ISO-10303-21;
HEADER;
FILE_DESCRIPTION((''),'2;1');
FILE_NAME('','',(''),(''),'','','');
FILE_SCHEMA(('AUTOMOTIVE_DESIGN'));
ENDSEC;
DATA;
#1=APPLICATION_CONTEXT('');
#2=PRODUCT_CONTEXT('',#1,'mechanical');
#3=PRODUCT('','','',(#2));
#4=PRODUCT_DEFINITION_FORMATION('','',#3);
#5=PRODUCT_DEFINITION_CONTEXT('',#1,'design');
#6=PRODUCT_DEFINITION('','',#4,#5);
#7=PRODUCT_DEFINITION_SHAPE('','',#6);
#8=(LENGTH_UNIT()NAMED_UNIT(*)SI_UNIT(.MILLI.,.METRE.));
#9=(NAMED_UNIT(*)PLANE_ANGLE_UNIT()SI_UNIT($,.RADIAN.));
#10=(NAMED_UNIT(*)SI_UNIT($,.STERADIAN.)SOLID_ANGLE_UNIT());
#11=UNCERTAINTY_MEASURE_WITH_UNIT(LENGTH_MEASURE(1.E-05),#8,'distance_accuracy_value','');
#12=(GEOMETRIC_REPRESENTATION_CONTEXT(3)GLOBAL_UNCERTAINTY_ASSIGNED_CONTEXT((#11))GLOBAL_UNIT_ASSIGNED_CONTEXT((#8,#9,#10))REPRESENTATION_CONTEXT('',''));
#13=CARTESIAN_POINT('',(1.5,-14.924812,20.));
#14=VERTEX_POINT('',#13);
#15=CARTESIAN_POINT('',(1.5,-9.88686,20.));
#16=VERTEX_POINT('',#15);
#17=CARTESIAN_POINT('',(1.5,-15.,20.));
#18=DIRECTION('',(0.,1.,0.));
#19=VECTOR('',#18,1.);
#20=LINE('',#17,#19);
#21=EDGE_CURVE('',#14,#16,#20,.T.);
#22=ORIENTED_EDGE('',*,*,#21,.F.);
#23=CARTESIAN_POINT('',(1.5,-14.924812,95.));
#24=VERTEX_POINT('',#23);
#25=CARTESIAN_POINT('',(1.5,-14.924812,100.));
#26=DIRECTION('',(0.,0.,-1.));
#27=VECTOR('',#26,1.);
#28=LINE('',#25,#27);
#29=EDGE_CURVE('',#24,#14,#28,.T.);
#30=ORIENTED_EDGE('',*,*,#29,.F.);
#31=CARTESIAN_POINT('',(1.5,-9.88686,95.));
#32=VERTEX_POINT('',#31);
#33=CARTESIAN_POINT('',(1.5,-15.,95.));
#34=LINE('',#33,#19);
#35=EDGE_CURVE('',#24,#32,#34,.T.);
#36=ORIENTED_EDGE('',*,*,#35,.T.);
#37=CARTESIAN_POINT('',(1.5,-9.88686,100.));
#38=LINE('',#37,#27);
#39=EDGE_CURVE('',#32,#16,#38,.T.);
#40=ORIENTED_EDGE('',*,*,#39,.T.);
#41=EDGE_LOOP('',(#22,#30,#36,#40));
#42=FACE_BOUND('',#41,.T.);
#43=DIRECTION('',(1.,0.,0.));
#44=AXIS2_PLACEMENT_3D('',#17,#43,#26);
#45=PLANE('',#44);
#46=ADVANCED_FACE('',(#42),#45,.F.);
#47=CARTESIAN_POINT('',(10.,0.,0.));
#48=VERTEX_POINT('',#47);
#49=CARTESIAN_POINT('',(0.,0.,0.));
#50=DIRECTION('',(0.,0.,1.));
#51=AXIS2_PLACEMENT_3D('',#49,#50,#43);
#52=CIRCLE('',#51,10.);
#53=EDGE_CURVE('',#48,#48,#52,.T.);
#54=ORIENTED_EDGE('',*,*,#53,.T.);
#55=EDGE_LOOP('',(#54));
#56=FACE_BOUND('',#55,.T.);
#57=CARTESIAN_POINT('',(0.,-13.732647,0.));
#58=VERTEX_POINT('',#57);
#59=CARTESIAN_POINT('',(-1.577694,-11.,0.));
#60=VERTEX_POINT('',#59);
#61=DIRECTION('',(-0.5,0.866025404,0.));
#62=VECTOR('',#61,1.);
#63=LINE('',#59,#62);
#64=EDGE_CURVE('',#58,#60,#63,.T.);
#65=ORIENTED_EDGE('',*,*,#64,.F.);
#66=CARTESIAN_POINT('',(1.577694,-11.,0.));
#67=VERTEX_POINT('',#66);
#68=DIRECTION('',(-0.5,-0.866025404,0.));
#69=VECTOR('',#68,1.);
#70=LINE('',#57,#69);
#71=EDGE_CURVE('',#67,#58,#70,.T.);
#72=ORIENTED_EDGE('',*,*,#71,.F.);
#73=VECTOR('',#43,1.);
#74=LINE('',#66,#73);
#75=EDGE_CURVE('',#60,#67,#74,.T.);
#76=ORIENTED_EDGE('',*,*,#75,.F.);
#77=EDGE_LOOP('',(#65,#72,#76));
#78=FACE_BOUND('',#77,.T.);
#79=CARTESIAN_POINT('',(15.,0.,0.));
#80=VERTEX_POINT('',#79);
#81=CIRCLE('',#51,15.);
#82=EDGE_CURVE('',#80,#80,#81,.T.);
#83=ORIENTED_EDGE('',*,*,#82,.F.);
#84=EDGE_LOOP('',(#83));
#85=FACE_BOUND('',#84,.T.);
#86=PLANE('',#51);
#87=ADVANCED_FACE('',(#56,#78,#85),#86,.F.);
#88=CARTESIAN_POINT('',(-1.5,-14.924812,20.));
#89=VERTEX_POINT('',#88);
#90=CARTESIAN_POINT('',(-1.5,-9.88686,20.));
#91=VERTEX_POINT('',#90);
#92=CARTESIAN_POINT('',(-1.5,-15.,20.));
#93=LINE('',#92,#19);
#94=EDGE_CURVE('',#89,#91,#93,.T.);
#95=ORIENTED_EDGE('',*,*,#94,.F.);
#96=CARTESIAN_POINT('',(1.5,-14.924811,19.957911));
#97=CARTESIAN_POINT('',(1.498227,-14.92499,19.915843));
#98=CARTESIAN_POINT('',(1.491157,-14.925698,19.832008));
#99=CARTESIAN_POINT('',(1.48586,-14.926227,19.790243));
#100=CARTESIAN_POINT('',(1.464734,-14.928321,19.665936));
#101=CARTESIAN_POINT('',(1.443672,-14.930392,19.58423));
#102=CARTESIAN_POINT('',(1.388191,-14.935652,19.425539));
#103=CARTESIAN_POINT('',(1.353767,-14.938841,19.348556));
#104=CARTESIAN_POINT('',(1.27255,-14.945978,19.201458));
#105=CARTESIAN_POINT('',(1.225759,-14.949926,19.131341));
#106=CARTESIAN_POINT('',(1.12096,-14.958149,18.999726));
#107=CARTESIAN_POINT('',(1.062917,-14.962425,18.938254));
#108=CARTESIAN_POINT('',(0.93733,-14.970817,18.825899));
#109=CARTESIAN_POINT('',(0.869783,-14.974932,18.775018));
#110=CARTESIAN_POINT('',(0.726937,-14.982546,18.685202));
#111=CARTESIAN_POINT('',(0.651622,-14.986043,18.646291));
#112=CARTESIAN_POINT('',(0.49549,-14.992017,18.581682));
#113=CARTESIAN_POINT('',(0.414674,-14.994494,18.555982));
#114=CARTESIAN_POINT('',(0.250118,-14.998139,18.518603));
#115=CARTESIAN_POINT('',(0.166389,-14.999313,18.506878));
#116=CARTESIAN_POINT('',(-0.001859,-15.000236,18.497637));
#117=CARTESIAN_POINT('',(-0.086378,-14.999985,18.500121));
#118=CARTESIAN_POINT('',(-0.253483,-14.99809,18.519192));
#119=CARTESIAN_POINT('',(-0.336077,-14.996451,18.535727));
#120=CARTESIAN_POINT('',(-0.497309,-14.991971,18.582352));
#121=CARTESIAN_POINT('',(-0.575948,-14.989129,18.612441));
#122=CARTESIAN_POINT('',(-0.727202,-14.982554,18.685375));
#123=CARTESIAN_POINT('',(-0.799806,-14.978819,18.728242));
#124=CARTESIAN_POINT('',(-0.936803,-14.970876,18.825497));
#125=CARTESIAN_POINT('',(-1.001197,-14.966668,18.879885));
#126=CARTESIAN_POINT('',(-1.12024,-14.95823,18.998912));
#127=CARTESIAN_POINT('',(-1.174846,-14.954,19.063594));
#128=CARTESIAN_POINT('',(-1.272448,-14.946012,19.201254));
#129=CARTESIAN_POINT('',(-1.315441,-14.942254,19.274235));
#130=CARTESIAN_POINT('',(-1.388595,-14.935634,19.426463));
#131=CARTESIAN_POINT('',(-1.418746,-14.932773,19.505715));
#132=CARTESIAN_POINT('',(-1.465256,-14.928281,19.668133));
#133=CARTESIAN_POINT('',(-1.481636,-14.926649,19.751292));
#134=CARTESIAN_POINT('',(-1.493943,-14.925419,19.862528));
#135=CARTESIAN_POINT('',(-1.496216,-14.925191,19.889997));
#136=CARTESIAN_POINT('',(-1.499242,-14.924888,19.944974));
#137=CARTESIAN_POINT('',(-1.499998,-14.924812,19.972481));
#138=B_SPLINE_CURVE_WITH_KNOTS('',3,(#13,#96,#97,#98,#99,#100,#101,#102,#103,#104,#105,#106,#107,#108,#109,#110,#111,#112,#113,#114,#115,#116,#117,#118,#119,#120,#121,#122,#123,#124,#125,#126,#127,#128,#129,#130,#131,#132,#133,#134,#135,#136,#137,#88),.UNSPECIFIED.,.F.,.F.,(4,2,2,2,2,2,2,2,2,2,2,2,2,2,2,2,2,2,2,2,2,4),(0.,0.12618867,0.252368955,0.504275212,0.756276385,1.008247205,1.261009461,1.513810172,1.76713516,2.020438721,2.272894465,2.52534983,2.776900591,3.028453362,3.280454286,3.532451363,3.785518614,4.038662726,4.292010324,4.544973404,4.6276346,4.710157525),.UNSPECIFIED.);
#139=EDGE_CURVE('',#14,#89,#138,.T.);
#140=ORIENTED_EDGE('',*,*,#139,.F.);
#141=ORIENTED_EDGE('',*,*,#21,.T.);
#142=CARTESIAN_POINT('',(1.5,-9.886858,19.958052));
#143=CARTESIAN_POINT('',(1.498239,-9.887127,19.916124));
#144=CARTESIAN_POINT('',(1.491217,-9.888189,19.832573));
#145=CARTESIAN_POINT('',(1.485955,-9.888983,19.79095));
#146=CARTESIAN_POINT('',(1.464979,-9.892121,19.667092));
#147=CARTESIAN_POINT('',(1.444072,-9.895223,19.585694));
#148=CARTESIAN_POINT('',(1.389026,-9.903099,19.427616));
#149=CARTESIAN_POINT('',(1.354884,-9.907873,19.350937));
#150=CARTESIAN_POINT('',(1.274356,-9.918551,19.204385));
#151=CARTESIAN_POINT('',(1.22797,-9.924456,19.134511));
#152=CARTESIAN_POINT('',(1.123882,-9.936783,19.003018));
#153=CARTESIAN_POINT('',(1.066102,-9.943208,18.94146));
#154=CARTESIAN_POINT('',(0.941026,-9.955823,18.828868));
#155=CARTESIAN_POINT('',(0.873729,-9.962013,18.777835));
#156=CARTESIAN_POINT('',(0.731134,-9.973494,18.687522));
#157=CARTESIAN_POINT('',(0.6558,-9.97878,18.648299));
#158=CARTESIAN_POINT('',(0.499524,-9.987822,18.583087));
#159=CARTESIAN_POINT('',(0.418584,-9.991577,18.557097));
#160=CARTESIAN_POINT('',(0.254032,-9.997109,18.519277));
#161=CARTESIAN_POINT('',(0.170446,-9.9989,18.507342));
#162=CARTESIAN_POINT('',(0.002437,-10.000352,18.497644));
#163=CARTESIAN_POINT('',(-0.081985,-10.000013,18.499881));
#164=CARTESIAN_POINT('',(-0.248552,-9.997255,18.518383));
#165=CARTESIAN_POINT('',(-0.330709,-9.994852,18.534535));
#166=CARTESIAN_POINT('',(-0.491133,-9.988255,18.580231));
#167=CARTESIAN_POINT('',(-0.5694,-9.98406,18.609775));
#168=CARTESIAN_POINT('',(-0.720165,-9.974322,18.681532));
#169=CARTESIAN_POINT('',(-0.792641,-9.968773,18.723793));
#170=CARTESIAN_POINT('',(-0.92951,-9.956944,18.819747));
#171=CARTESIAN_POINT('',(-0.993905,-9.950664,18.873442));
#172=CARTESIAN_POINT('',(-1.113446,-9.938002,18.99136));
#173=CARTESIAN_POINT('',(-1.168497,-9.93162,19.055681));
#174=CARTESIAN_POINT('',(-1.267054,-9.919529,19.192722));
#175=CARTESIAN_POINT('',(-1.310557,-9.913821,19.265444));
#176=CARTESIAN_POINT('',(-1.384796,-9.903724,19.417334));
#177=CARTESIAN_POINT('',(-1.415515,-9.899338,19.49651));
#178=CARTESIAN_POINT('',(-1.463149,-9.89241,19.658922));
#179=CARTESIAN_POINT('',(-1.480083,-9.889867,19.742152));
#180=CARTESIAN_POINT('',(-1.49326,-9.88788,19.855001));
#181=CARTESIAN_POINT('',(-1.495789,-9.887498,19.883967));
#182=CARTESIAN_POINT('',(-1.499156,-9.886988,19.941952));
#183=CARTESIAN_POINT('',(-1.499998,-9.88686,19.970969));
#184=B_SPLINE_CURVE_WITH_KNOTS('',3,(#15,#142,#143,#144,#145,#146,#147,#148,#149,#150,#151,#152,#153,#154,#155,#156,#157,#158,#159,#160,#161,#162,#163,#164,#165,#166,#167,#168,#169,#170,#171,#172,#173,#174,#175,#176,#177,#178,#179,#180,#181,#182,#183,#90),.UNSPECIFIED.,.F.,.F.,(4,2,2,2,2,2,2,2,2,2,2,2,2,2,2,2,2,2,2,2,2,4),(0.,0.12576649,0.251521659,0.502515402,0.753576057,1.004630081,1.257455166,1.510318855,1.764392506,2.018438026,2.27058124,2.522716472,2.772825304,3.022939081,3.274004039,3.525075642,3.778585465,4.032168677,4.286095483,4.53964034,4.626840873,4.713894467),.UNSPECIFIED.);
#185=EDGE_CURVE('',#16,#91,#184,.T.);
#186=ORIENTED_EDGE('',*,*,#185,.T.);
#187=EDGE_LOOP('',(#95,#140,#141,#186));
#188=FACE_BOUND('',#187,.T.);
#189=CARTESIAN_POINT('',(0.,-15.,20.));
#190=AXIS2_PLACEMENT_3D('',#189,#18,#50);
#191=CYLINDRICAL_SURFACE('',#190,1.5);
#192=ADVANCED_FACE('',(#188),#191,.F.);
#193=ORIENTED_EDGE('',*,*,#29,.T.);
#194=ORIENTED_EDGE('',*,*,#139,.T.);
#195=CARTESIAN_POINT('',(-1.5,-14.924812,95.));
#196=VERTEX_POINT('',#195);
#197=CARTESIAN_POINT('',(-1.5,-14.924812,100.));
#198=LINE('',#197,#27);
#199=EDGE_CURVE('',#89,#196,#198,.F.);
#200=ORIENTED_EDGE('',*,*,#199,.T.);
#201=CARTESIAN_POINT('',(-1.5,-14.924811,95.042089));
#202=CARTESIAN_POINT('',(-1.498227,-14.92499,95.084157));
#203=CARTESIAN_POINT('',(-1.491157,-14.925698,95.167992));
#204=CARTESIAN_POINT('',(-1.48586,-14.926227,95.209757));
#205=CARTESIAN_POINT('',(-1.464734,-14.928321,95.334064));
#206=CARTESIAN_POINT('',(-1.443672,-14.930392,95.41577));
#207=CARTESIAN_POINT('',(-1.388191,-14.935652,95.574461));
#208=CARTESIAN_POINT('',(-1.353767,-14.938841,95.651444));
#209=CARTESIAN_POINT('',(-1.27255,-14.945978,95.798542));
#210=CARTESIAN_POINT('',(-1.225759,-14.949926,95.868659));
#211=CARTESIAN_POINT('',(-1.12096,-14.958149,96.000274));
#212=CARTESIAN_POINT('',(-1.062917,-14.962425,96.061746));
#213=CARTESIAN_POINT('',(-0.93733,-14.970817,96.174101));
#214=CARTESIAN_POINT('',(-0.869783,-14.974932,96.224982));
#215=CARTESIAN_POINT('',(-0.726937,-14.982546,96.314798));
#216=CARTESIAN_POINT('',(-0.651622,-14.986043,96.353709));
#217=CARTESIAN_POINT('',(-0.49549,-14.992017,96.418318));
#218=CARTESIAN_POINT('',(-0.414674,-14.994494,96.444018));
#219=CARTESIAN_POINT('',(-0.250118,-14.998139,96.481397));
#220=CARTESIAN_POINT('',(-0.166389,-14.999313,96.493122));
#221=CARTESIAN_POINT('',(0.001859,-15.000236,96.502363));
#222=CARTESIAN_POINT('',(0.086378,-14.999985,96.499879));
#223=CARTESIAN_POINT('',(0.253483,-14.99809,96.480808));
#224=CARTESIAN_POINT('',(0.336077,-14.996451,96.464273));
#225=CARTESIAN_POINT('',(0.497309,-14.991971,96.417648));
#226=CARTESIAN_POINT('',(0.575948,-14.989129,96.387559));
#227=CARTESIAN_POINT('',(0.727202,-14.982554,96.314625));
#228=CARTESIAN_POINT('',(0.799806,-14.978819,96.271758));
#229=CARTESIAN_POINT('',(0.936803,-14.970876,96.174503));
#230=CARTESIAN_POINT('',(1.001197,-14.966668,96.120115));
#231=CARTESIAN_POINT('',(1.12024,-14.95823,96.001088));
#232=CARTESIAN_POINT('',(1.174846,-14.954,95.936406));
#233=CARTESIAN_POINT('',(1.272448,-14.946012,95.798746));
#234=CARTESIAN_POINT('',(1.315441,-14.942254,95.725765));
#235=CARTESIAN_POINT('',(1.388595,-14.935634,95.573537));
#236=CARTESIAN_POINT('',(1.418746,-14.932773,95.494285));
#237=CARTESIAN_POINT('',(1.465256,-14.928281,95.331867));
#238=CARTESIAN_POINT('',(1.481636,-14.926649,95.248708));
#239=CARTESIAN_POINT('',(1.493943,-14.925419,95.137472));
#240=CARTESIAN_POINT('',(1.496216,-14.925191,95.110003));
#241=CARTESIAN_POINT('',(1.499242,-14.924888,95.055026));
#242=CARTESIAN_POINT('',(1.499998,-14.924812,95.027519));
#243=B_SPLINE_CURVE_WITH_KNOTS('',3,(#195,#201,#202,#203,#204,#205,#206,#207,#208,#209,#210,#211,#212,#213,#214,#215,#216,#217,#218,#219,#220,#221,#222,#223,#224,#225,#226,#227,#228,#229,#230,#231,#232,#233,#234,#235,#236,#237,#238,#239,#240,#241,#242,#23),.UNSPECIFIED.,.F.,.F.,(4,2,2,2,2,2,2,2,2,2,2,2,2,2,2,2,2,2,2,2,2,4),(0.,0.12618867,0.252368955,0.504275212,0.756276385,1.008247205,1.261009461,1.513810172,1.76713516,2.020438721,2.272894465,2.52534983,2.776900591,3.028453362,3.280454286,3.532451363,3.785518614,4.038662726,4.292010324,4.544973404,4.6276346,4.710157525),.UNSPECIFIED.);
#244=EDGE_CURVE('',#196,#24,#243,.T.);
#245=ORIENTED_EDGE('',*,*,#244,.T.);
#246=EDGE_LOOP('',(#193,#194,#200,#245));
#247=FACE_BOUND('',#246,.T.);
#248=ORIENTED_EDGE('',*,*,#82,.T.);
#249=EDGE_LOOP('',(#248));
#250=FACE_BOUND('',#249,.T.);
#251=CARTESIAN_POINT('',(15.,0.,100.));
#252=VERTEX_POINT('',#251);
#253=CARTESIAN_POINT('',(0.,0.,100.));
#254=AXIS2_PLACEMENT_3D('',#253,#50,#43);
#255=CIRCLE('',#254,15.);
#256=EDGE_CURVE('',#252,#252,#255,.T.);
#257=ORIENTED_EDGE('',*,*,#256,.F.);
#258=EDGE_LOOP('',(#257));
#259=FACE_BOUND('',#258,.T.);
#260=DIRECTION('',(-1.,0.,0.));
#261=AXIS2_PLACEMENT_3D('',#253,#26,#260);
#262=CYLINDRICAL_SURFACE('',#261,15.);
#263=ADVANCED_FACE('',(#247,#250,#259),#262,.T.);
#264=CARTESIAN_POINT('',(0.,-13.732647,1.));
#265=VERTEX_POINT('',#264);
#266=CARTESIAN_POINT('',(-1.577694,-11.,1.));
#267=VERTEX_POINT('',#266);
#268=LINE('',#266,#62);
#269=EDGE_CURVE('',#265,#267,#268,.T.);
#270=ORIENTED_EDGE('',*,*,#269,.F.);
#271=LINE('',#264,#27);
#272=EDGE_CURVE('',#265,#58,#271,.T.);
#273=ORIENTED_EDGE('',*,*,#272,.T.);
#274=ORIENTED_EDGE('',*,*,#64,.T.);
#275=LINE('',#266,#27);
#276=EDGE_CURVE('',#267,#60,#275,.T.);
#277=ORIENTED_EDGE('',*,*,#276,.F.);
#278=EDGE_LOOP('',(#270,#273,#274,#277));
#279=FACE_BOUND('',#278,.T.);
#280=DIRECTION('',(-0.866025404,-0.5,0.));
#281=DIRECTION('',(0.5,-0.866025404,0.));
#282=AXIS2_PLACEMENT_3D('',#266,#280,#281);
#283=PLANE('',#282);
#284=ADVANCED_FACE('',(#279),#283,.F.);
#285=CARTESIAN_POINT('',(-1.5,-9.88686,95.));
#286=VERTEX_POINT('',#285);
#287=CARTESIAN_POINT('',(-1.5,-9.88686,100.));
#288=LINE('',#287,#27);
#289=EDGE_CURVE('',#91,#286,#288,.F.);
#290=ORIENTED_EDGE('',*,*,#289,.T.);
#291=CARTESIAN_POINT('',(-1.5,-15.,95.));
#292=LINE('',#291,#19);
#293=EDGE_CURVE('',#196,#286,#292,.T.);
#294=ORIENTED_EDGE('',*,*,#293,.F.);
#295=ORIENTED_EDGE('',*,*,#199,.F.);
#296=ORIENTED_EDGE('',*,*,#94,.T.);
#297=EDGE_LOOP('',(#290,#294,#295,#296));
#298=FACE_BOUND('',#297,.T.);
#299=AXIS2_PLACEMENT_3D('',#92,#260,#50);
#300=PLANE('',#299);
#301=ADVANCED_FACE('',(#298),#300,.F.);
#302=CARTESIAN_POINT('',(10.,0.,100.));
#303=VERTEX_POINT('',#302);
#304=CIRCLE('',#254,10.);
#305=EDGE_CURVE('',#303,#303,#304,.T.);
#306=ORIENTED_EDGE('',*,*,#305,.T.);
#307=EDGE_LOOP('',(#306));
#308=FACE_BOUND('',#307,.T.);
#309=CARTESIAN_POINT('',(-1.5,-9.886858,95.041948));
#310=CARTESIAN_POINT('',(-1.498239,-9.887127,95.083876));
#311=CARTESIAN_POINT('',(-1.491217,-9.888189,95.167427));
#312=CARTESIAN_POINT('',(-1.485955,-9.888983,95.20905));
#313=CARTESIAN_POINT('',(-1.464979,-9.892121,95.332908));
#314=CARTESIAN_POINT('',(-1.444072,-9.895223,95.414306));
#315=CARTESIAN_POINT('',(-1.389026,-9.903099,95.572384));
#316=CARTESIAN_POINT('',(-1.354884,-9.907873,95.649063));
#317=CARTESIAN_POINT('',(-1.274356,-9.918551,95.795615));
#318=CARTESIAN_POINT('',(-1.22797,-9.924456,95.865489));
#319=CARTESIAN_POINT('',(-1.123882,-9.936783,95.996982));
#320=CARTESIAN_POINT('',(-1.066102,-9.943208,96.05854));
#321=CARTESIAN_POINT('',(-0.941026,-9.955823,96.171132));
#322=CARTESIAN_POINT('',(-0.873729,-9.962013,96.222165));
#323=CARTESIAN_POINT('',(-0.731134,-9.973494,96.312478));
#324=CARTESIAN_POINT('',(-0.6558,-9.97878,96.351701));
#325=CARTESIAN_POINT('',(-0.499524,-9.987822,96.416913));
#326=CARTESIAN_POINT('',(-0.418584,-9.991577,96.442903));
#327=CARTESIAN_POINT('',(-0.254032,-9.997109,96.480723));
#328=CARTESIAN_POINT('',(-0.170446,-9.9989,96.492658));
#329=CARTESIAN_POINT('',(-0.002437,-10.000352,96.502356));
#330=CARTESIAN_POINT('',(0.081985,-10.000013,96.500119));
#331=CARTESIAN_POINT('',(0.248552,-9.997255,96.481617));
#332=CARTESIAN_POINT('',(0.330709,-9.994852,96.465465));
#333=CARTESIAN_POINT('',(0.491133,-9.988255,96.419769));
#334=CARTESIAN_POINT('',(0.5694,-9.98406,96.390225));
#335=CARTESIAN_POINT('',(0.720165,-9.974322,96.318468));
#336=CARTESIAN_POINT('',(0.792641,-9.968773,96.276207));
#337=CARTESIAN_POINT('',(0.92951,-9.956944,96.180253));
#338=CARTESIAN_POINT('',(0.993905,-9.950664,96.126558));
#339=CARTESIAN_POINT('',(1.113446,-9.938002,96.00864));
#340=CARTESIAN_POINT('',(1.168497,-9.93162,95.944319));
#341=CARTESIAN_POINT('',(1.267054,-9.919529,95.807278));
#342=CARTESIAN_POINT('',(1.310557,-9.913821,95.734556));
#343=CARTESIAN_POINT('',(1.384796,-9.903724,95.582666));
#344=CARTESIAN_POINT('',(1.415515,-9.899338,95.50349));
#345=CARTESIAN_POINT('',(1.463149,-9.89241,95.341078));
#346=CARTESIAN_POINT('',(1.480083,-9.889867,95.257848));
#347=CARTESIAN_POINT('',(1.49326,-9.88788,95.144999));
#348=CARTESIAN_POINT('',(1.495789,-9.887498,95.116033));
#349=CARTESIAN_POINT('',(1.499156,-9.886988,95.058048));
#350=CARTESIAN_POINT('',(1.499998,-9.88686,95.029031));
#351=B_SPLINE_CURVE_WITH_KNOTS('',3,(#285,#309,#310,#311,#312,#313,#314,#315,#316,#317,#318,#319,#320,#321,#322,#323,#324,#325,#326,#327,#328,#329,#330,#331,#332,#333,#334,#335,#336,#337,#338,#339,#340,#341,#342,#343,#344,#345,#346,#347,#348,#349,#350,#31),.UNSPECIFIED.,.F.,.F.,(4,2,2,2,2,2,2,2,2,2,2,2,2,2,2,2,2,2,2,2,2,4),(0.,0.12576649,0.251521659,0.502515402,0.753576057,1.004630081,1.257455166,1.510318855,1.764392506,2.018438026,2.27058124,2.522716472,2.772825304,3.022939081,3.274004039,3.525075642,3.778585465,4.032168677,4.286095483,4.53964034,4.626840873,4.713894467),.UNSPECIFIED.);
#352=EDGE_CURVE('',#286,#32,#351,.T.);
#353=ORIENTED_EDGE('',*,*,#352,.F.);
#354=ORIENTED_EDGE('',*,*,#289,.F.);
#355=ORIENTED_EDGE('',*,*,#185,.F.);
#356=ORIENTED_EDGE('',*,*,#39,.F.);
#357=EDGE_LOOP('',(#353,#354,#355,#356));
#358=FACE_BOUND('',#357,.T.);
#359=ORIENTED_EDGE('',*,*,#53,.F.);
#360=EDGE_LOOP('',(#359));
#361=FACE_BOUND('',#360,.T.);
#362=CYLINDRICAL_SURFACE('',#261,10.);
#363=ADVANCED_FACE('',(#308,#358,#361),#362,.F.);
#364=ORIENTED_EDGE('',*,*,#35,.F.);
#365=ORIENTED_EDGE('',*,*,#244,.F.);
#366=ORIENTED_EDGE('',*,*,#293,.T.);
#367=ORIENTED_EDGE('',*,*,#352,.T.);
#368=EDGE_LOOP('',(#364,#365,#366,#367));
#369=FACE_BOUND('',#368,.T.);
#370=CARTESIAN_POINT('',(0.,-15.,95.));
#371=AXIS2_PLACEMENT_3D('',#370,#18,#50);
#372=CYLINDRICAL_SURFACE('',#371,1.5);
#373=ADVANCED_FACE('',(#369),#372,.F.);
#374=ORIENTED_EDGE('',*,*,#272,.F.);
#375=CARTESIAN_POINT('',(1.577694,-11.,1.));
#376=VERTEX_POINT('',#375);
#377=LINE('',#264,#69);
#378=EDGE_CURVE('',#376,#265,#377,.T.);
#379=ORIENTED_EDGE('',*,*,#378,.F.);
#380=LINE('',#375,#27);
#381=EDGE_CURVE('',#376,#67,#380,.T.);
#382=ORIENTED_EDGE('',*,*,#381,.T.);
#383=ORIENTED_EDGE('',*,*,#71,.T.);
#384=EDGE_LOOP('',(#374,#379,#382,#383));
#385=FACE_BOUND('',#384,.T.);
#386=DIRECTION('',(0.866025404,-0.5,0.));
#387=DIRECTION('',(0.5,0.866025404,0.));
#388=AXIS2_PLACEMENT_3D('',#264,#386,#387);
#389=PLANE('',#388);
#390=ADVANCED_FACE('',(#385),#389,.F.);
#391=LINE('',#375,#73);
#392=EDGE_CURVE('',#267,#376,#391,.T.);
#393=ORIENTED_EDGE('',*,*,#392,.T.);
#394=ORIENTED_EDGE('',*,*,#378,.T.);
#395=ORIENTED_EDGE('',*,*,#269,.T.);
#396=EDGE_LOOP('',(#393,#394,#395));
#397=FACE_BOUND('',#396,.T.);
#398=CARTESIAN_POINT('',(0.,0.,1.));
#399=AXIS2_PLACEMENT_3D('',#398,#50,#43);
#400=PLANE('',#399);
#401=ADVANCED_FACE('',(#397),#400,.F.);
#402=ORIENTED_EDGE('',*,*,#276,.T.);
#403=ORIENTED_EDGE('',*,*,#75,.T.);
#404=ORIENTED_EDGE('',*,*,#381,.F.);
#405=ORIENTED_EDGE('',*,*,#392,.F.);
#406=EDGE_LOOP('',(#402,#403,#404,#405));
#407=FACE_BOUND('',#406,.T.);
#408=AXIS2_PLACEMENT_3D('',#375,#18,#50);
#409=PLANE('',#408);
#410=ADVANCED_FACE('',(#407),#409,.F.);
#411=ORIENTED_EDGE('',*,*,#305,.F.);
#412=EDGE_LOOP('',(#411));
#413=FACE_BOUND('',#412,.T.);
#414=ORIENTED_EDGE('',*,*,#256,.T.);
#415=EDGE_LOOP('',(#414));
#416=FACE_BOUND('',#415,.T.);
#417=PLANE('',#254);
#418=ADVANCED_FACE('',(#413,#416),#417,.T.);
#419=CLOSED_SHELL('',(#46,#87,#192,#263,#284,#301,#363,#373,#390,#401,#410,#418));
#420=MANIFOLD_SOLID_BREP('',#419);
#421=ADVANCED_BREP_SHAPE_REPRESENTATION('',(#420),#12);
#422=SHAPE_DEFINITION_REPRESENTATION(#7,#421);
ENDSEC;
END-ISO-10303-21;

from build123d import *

# Parameters (mm, degrees)
SKETCH1_R           = 15
SKETCH1_R_2         = 10
BOSS_EXTRUDE1_DEPTH = 100
CUT_EXTRUDE1_DEPTH  = 1
CUT_EXTRUDE2_DEPTH  = 103.225241501


with BuildPart() as part:
    # Sketch1 → Boss-Extrude1 (new body)
    with BuildSketch(Plane(origin=(0, 0, 0), x_dir=(0, 1, 0), z_dir=(0, 0, 1))):
        with Locations(Location((0, 0, 0), (0, 0, 270))):
            Circle(SKETCH1_R)
        with Locations(Location((0, 0, 0), (0, 0, 270))):
            Circle(SKETCH1_R_2, mode=Mode.SUBTRACT)
    extrude(amount=BOSS_EXTRUDE1_DEPTH)

    # Sketch2 → Cut-Extrude1 (cut)
    with BuildSketch(Plane(origin=(0, 0, 0), x_dir=(-1, 0, 0), z_dir=(0, 0, -1))):
        Polygon((0, -13.732646586), (-1.577694242, -11), (1.577694242, -11), align=None)
    extrude(amount=-CUT_EXTRUDE1_DEPTH, mode=Mode.SUBTRACT)

    # Sketch4 → Cut-Extrude2 (cut, through all)
    with BuildSketch(Plane(origin=(0, 0, 0), x_dir=(-1, 0, 0), z_dir=(0, 1, 0))):
        with BuildLine():
            Line((-1.5, 20), (-1.5, 95))
            ThreePointArc((-1.5, 95), (0, 96.5), (1.5, 95))
            Line((1.5, 95), (1.5, 20))
            ThreePointArc((1.5, 20), (0, 18.5), (-1.5, 20))
        make_face()
    extrude(amount=-CUT_EXTRUDE2_DEPTH, mode=Mode.SUBTRACT)


solid = part.part
